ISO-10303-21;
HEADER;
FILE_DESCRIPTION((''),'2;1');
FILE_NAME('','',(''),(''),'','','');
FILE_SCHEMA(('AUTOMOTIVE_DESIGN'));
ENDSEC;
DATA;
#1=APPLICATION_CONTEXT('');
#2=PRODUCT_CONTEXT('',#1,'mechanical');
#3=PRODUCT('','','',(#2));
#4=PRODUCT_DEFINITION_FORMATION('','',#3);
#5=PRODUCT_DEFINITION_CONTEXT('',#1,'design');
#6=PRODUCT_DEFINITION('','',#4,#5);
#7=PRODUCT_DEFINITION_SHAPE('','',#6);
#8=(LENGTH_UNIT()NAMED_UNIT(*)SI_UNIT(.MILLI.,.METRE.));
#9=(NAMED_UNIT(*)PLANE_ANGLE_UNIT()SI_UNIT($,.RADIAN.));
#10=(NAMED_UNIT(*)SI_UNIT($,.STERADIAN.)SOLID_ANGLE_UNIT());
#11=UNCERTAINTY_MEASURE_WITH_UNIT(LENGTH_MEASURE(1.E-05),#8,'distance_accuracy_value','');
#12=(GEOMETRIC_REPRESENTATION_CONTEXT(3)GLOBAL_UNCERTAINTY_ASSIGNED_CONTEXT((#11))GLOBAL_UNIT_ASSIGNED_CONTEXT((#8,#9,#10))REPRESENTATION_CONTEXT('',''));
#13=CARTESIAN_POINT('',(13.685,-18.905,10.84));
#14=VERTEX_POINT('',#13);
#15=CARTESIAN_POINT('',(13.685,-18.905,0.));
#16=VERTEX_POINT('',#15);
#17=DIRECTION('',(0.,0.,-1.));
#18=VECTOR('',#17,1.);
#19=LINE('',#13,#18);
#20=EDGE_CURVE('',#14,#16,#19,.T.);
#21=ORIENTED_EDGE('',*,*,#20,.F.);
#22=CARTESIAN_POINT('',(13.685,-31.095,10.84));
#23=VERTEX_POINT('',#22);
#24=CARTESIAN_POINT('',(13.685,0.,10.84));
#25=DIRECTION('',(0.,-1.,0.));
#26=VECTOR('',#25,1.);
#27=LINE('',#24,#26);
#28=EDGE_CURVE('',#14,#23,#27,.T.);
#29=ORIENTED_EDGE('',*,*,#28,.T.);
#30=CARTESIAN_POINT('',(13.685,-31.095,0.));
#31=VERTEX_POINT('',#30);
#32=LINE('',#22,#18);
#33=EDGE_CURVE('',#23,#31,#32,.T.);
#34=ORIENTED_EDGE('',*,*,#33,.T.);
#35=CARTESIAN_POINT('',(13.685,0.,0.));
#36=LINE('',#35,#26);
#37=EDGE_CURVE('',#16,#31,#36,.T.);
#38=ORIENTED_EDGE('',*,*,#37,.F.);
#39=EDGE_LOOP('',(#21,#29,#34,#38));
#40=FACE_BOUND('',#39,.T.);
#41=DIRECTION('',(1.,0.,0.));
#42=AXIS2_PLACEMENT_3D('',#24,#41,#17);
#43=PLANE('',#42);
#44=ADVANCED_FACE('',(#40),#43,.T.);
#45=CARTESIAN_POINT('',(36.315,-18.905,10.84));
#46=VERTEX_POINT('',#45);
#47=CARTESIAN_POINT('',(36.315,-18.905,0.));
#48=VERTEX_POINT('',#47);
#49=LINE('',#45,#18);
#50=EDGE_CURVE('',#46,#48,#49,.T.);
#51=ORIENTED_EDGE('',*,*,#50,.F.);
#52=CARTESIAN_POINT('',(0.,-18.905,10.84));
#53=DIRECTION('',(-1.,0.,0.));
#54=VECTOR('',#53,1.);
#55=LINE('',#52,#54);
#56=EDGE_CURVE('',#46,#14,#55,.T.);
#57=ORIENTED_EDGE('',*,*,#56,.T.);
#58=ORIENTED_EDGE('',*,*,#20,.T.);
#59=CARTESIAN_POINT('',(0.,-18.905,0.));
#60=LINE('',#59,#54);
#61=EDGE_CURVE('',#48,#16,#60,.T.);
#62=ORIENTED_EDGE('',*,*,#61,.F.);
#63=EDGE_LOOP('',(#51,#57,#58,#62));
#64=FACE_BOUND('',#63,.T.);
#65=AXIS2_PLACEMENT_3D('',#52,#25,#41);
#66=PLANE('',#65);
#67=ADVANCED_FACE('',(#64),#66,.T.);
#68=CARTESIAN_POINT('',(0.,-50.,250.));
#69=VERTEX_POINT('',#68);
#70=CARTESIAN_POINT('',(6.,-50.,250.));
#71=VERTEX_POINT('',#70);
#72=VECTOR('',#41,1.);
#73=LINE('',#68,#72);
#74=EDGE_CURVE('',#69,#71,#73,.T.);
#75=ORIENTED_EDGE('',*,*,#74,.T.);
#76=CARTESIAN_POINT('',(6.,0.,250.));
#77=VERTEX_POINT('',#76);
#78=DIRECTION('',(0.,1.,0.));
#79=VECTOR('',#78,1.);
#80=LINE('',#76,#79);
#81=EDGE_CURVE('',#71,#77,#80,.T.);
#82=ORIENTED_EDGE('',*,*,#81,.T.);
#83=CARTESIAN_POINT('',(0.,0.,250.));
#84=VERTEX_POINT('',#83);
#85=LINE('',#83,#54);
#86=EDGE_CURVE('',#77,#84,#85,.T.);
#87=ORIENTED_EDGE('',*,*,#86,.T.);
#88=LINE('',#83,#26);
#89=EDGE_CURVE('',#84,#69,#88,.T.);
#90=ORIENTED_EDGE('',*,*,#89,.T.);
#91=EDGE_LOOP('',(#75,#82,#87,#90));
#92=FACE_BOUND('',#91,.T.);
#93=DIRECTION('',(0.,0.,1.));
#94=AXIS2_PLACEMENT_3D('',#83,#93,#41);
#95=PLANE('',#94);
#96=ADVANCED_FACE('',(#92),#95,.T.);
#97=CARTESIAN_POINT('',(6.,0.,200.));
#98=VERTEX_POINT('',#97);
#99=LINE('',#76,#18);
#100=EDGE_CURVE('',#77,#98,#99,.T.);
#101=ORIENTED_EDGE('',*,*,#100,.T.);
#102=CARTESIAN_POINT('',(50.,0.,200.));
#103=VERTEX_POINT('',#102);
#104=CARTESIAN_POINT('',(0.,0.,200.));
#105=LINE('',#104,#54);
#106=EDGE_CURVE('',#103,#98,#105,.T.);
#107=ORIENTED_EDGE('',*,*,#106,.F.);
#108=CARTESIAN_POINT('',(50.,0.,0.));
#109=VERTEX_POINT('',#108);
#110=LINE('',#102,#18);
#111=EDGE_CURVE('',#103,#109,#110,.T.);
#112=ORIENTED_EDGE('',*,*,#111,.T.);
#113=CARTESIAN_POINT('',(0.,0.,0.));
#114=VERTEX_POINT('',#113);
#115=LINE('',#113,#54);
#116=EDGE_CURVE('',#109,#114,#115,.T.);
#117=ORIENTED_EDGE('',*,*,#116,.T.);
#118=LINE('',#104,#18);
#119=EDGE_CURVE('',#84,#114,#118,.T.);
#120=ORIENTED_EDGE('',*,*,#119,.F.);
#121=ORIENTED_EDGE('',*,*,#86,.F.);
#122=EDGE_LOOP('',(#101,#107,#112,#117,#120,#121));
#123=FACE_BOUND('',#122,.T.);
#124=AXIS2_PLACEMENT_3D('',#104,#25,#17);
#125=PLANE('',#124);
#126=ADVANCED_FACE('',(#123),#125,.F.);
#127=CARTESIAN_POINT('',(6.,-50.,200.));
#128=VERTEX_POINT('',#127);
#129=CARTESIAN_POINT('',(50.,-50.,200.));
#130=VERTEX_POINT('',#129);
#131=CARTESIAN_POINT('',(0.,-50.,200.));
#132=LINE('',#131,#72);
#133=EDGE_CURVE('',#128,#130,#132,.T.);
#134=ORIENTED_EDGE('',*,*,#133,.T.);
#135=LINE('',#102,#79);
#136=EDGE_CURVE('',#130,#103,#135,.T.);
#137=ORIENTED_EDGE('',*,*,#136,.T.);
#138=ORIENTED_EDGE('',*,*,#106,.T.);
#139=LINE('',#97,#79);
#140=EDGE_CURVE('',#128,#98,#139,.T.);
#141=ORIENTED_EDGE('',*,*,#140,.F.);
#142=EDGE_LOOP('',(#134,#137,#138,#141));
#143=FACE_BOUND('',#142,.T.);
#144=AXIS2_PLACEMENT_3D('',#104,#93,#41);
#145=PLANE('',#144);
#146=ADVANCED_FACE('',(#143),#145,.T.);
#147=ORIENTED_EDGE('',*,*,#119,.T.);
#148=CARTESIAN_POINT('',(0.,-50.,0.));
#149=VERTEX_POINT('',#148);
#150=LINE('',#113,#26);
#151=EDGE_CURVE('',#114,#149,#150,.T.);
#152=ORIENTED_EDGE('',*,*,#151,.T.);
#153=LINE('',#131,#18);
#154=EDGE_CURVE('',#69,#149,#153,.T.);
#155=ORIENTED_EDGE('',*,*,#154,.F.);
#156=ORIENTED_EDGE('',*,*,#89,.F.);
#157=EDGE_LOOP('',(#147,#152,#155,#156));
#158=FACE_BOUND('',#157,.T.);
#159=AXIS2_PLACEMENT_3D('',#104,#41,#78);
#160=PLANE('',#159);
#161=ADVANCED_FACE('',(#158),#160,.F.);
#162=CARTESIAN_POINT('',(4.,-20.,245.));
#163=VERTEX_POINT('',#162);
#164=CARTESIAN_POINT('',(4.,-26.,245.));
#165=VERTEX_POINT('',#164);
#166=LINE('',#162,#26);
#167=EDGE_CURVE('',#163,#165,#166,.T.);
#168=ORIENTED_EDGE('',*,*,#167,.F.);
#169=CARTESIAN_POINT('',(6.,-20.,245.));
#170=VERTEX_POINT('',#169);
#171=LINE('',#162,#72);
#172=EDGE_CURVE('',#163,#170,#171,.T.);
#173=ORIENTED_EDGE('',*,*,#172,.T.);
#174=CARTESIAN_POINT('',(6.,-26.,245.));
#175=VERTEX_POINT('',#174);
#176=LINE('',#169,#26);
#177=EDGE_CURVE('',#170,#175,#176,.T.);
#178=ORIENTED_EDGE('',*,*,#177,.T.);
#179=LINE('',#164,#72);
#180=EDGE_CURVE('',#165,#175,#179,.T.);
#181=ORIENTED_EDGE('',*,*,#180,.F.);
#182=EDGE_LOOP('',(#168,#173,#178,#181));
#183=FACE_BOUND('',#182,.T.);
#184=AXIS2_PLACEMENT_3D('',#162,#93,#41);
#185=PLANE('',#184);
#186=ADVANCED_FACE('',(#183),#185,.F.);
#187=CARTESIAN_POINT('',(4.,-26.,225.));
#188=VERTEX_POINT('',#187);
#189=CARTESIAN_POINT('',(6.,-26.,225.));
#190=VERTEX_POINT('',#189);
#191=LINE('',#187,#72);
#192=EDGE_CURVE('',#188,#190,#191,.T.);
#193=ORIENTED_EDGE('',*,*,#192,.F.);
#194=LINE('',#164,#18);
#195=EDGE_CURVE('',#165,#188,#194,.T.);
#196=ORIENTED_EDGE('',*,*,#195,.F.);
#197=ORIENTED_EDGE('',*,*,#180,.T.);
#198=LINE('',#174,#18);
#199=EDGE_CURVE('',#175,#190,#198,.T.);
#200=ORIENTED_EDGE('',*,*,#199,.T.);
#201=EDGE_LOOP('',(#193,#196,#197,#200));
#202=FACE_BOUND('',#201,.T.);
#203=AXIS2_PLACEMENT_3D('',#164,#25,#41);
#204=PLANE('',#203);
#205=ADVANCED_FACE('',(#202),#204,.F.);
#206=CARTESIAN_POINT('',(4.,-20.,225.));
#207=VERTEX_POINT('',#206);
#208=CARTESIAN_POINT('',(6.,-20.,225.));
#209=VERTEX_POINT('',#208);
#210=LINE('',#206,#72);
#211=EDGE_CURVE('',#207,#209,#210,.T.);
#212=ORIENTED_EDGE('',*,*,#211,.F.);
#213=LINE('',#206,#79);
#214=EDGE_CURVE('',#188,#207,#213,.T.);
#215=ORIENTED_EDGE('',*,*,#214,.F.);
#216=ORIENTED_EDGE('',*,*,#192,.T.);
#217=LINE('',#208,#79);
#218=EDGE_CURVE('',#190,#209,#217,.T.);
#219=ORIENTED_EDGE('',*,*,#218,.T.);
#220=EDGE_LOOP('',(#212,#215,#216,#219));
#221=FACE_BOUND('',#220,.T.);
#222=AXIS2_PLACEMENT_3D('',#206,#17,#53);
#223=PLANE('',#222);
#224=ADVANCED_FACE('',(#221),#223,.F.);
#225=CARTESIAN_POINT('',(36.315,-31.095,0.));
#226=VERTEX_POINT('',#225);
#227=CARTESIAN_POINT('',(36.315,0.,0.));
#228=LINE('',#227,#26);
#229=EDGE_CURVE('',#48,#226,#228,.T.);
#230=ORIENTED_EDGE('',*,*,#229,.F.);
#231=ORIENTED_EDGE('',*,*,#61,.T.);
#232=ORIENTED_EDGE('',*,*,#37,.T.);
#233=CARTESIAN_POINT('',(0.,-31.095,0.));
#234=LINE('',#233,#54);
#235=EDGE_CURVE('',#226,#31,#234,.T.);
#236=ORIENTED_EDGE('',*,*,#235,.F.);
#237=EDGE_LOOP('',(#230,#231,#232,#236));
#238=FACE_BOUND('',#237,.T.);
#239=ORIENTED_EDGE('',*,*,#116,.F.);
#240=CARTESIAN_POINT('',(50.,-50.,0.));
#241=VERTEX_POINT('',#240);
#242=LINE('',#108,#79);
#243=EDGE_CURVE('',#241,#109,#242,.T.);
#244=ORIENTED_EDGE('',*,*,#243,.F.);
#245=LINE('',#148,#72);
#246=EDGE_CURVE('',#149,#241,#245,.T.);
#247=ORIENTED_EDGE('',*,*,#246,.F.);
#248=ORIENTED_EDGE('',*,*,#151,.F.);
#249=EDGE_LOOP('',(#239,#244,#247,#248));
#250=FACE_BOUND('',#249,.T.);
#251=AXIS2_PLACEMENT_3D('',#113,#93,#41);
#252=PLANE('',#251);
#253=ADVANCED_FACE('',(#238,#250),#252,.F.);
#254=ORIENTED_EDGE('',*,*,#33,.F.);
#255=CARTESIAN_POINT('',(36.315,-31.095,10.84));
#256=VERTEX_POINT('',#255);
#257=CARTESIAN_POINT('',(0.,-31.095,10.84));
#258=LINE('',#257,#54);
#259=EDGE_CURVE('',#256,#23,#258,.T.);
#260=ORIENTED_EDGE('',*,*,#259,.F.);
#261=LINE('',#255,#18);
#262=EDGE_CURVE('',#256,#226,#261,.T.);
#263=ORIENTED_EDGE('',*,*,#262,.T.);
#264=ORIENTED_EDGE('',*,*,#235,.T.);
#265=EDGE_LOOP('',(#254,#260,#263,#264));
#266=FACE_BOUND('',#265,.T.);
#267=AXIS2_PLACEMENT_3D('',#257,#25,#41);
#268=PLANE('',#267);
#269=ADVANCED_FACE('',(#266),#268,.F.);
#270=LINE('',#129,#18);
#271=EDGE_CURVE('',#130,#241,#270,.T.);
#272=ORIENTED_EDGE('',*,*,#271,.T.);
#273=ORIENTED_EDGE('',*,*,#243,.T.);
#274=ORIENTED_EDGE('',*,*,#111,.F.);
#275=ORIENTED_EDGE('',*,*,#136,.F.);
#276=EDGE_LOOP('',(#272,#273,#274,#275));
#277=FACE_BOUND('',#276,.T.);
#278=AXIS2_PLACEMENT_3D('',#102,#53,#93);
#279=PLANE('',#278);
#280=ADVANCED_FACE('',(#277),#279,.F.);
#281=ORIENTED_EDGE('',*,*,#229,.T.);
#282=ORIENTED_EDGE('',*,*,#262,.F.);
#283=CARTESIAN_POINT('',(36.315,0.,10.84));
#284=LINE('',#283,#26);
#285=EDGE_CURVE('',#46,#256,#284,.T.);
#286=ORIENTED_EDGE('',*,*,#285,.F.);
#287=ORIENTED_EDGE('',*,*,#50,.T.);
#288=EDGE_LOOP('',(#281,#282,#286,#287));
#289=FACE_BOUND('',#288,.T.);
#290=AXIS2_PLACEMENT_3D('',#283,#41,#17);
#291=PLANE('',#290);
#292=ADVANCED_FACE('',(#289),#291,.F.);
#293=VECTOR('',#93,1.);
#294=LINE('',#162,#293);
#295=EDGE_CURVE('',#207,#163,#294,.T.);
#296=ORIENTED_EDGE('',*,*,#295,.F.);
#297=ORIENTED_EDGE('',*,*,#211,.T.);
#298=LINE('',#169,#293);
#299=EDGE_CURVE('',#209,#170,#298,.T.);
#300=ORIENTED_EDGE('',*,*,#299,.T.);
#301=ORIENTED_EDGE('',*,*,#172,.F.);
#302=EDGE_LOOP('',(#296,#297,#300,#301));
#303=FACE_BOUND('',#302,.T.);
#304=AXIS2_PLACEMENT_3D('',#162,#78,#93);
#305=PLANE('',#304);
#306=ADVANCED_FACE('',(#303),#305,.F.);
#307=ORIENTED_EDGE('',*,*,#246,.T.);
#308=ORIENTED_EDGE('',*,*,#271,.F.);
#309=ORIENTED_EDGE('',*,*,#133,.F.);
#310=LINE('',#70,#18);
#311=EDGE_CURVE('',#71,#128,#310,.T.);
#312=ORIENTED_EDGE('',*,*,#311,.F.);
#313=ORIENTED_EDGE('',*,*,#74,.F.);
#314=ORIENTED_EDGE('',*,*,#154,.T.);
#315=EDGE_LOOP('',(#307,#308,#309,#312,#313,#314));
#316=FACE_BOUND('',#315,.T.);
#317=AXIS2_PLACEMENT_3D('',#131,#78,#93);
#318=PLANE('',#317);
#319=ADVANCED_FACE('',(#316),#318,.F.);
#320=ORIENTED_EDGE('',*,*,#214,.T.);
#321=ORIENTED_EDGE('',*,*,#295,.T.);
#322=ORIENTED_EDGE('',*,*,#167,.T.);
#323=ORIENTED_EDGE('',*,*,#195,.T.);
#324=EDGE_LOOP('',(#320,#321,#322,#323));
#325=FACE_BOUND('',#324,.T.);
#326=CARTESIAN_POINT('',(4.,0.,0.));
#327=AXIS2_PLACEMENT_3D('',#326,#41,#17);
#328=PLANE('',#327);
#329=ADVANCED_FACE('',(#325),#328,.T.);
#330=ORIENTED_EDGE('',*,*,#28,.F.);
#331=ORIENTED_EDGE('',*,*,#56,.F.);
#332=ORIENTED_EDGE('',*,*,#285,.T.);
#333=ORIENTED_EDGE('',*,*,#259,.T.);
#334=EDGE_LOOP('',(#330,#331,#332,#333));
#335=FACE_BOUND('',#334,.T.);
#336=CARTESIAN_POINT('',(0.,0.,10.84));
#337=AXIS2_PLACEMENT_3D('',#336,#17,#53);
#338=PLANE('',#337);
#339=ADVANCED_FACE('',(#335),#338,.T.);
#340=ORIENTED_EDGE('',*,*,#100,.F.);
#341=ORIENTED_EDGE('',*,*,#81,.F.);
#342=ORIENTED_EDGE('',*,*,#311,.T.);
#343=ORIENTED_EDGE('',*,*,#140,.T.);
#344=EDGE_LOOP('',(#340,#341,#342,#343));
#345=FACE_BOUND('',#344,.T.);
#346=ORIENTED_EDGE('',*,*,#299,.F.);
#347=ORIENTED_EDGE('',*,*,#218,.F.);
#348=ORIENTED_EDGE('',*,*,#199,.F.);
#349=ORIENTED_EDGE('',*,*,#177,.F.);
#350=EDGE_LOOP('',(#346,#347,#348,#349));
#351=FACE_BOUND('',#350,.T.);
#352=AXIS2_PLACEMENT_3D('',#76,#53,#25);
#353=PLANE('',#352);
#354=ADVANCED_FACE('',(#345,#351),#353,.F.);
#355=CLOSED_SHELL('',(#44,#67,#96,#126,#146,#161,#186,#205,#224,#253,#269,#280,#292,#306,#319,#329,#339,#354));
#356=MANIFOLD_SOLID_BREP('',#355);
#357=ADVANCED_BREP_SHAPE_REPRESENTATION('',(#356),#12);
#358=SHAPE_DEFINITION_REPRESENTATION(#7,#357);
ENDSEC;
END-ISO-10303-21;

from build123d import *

# Parameters (mm, degrees)
SKETCH1_W           = 50
SKETCH1_H           = 50
BOSS_EXTRUDE1_DEPTH = 200
SKETCH2_W           = 6
SKETCH2_H           = 50
BOSS_EXTRUDE2_DEPTH = 50
SKETCH4_W           = 20
SKETCH4_H           = 6
CUT_EXTRUDE1_DEPTH  = 2
SKETCH5_W           = 11.315
SKETCH5_H           = 6.095
CUT_EXTRUDE2_DEPTH  = 10.84


with BuildPart() as part:
    # Sketch1 → Boss-Extrude1 (new body)
    with BuildSketch(Plane.XY):
        with Locations((25, -25)):
            Rectangle(SKETCH1_W, SKETCH1_H)
    extrude(amount=BOSS_EXTRUDE1_DEPTH)

    # Sketch2 → Boss-Extrude2 (add)
    with BuildSketch(Plane.XY.offset(200)):
        with Locations((3, -25)):
            Rectangle(SKETCH2_W, SKETCH2_H)
    extrude(amount=BOSS_EXTRUDE2_DEPTH)

    # Sketch4 → Cut-Extrude1 (cut)
    with BuildSketch(Plane(origin=(6, 0, 0), x_dir=(0, 0, -1), z_dir=(1, 0, 0))):
        with Locations((-235, -23)):
            Rectangle(SKETCH4_W, SKETCH4_H)
    extrude(amount=-CUT_EXTRUDE1_DEPTH, mode=Mode.SUBTRACT)

    # Sketch5 → Cut-Extrude2 (cut)
    with BuildSketch(Plane(origin=(0, 0, 0), x_dir=(-1, 0, 0), z_dir=(0, 0, -1))):
        Polygon((-36.315, -18.905), (-36.315, -25), (-25, -25), (-13.685, -25), (-13.685, -18.905), align=None)
        with Locations((-30.6575, -28.0475)):
            Rectangle(SKETCH5_W, SKETCH5_H)
        with Locations((-19.3425, -28.0475)):
            Rectangle(SKETCH5_W, SKETCH5_H)
    extrude(amount=-CUT_EXTRUDE2_DEPTH, mode=Mode.SUBTRACT)


solid = part.part
